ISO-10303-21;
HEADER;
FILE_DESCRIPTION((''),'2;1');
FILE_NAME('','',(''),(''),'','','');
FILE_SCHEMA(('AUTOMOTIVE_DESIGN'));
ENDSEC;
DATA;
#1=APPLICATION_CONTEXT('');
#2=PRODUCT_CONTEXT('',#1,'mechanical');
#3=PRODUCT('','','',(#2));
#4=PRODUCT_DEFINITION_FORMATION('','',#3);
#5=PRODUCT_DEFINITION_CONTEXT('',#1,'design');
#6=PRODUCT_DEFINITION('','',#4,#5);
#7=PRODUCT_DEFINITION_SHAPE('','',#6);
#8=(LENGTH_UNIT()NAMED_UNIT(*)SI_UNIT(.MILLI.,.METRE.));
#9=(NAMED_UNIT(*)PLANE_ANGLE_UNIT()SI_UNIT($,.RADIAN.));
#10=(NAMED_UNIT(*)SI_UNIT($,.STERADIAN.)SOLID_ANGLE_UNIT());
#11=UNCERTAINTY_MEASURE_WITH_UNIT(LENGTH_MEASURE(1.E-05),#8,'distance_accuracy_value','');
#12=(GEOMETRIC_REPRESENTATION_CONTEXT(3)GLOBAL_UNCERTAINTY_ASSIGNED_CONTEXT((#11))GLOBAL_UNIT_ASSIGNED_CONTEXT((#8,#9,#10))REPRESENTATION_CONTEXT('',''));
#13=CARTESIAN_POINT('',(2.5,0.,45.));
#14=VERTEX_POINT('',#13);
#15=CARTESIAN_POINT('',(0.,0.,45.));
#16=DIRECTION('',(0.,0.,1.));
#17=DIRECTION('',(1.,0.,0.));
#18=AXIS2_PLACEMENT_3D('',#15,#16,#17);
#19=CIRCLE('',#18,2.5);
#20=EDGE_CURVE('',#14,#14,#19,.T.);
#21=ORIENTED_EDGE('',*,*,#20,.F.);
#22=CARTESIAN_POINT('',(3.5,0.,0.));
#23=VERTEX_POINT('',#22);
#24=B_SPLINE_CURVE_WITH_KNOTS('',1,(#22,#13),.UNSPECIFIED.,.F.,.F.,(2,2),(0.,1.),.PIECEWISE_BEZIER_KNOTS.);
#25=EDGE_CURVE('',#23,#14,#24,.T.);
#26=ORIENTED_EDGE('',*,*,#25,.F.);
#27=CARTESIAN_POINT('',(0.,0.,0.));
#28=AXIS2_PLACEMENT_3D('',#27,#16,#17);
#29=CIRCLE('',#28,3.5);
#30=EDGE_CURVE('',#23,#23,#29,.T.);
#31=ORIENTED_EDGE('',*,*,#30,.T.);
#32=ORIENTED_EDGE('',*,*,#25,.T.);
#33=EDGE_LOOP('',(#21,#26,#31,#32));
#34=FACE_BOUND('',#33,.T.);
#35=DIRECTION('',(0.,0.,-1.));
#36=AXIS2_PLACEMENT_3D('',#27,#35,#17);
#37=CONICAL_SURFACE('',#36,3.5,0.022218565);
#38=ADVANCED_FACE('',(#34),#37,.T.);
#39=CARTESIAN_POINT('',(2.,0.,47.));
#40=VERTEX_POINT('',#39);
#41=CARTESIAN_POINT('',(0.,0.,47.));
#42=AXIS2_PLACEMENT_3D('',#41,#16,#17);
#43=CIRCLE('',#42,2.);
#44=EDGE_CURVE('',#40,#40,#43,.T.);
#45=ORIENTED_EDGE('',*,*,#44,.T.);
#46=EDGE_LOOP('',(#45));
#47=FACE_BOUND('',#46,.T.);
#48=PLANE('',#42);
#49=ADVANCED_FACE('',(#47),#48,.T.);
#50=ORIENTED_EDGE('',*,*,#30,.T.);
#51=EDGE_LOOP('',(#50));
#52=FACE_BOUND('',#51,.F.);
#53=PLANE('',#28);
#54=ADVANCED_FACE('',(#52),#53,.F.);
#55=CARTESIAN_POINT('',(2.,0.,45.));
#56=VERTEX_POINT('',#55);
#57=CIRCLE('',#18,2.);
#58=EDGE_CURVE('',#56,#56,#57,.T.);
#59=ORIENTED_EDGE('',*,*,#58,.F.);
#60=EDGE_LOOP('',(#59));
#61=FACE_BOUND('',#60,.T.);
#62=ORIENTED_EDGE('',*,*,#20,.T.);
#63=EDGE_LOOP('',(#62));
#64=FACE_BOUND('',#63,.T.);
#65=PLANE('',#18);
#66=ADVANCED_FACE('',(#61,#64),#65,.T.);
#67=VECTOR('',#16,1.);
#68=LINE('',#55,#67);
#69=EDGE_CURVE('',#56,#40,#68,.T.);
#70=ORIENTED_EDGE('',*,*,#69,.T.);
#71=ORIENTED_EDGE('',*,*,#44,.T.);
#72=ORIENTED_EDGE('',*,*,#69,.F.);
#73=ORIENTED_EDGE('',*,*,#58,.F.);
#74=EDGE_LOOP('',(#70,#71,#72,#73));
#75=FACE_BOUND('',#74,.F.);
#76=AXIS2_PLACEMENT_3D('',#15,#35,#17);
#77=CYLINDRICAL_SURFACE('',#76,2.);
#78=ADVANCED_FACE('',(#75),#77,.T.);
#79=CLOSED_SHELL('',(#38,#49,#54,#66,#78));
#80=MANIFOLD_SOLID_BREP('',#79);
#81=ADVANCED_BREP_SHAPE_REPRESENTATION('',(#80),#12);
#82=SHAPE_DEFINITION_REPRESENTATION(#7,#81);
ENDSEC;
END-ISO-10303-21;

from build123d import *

# Parameters (mm, degrees)
F1_R     = 3.5
F2_R     = 2.5
F4_R     = 2
F5_DEPTH = 2


with BuildPart() as f3:
    # F1 (on Top) → F3 section 0
    with BuildSketch(Plane.XY):
        Circle(F1_R)
    # F2 (on offset) → F3 section 1
    with BuildSketch(Plane.XY.offset(45)):
        Circle(F2_R)
    loft()

    # F4 (on offset) → F5 (join)
    with BuildSketch(Plane.XY.offset(45)):
        Circle(F4_R)
    extrude(amount=F5_DEPTH)


solid = f3.part
